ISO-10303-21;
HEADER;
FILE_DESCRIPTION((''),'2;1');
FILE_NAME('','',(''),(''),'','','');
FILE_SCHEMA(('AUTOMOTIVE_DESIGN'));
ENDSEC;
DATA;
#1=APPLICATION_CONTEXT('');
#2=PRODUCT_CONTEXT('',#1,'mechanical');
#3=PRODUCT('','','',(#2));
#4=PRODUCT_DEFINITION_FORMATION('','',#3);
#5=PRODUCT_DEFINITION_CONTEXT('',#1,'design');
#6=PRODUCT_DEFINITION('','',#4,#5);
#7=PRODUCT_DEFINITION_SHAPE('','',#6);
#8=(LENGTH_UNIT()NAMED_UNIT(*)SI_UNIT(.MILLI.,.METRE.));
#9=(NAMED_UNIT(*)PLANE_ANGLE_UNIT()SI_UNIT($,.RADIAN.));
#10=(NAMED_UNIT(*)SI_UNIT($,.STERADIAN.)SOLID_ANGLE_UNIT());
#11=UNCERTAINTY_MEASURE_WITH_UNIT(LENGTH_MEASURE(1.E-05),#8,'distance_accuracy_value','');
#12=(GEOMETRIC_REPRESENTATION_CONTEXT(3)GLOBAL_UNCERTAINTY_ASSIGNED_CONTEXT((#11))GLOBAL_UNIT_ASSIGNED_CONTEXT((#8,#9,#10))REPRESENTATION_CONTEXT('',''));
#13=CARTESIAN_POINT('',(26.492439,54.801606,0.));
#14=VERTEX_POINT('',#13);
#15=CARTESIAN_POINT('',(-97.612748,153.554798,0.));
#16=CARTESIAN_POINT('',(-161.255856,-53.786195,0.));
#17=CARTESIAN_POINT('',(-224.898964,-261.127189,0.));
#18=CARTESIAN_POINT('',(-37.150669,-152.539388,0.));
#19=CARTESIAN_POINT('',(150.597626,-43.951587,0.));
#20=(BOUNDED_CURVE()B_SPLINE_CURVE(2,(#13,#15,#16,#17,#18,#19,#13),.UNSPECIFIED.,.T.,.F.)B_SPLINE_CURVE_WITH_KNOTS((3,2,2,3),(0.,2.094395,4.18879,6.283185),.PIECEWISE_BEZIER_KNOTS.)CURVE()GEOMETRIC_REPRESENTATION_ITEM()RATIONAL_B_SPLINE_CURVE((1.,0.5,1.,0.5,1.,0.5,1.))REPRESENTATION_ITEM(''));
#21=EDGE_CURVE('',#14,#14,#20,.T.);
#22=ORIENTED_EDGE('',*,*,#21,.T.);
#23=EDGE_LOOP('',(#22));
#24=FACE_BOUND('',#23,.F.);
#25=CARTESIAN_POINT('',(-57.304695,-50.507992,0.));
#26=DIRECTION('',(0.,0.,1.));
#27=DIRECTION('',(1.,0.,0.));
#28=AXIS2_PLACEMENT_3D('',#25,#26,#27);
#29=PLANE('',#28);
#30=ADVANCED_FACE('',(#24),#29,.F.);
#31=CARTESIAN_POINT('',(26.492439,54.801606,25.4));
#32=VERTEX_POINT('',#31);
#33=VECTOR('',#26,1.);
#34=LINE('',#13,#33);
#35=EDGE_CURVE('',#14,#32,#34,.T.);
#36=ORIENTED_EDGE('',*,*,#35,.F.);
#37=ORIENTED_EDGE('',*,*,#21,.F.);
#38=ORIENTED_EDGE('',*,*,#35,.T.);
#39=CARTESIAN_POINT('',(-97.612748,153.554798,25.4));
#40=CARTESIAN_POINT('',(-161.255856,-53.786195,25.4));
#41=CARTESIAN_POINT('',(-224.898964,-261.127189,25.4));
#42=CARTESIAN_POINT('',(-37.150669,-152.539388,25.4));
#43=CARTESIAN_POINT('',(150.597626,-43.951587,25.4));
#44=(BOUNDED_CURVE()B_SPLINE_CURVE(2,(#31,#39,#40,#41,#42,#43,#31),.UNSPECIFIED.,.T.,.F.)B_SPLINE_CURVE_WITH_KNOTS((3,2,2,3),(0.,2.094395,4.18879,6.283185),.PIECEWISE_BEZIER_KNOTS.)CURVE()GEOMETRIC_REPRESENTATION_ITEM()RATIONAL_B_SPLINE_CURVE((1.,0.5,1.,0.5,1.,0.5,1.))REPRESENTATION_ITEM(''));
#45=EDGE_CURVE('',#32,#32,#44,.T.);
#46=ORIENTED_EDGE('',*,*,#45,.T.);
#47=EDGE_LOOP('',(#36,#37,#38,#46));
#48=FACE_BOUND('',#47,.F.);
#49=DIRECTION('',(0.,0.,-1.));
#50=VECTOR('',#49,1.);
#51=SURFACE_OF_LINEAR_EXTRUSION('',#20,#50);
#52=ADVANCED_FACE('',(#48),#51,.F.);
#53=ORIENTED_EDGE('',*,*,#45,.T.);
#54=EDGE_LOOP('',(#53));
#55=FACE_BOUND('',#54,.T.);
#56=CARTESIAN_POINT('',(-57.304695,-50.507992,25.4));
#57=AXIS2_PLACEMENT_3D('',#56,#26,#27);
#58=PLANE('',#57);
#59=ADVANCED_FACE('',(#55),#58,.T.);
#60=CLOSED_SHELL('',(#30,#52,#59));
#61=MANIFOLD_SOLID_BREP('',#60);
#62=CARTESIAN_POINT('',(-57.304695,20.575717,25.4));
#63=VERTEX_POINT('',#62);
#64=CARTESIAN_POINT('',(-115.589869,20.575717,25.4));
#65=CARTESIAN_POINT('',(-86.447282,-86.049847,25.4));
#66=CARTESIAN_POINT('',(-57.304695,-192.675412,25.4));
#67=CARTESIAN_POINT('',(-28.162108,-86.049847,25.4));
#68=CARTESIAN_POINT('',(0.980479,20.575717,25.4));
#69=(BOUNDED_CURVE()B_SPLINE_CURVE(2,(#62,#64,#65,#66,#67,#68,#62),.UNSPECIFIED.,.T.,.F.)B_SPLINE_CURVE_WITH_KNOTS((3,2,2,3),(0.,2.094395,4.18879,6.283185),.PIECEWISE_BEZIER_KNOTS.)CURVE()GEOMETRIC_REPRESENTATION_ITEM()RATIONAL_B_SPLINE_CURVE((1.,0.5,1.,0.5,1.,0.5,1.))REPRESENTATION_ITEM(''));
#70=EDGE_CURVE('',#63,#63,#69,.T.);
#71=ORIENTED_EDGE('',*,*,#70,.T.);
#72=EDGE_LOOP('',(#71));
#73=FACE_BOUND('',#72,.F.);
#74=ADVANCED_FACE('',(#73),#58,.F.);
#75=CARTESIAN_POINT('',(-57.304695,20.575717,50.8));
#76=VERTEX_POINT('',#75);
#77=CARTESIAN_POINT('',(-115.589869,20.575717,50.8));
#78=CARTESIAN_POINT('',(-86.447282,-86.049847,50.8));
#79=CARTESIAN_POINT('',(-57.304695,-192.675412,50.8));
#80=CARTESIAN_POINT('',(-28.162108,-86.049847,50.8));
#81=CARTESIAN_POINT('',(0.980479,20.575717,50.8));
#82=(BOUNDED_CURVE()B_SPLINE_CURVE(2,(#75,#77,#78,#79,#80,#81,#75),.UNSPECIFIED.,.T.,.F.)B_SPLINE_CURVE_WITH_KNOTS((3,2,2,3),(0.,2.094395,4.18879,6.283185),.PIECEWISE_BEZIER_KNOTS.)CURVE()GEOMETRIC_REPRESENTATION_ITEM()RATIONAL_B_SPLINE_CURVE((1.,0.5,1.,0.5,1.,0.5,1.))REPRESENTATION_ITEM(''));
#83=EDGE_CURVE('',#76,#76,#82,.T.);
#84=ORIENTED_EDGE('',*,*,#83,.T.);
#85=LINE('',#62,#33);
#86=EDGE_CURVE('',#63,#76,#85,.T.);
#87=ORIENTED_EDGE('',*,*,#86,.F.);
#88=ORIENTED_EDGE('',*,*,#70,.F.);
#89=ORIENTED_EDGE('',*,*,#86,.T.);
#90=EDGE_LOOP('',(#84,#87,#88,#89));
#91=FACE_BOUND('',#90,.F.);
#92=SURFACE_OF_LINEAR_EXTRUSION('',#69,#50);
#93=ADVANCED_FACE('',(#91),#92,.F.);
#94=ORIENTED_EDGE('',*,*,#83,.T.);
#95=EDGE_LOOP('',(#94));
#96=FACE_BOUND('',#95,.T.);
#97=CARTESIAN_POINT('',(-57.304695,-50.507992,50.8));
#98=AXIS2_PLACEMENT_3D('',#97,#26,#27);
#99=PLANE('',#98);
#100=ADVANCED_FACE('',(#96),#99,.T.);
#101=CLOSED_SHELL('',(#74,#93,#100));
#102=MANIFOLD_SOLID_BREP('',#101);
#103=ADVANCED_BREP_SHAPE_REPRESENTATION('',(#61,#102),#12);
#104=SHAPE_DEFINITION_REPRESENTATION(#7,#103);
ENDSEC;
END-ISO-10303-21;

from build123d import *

# Parameters (mm, degrees)
F1_DEPTH = 25.4
F3_DEPTH = 25.4


with BuildPart() as f1:
    # F0 (on Top) → F1 (new body)
    with BuildSketch(Plane.XY):
        with BuildLine():
            add(Edge.make_bspline(
                [(26.492439, 54.801606), (-97.612748, 153.554798), (-161.255856, -53.786195), (-224.898964, -261.127189), (-37.150669, -152.539388), (150.597626, -43.951587), (26.492439, 54.801606)],
                knots=[0, 0, 0, 2.094395, 2.094395, 4.18879, 4.18879, 6.283185, 6.283185, 6.283185], degree=2, weights=[1, 0.5, 1, 0.5, 1, 0.5, 1]))
        make_face()
    extrude(amount=F1_DEPTH)


with BuildPart() as f3:
    # F2 (on face) → F3 (new body)
    with BuildSketch(Plane.XY.offset(25.4)):
        with BuildLine():
            add(Edge.make_bspline(
                [(-57.304695, 20.575717), (-115.589869, 20.575717), (-86.447282, -86.049847), (-57.304695, -192.675412), (-28.162108, -86.049847), (0.980479, 20.575717), (-57.304695, 20.575717)],
                knots=[0, 0, 0, 2.094395, 2.094395, 4.18879, 4.18879, 6.283185, 6.283185, 6.283185], degree=2, weights=[1, 0.5, 1, 0.5, 1, 0.5, 1]))
        make_face()
    extrude(amount=F3_DEPTH)


solid = Compound([f1.part, f3.part])
